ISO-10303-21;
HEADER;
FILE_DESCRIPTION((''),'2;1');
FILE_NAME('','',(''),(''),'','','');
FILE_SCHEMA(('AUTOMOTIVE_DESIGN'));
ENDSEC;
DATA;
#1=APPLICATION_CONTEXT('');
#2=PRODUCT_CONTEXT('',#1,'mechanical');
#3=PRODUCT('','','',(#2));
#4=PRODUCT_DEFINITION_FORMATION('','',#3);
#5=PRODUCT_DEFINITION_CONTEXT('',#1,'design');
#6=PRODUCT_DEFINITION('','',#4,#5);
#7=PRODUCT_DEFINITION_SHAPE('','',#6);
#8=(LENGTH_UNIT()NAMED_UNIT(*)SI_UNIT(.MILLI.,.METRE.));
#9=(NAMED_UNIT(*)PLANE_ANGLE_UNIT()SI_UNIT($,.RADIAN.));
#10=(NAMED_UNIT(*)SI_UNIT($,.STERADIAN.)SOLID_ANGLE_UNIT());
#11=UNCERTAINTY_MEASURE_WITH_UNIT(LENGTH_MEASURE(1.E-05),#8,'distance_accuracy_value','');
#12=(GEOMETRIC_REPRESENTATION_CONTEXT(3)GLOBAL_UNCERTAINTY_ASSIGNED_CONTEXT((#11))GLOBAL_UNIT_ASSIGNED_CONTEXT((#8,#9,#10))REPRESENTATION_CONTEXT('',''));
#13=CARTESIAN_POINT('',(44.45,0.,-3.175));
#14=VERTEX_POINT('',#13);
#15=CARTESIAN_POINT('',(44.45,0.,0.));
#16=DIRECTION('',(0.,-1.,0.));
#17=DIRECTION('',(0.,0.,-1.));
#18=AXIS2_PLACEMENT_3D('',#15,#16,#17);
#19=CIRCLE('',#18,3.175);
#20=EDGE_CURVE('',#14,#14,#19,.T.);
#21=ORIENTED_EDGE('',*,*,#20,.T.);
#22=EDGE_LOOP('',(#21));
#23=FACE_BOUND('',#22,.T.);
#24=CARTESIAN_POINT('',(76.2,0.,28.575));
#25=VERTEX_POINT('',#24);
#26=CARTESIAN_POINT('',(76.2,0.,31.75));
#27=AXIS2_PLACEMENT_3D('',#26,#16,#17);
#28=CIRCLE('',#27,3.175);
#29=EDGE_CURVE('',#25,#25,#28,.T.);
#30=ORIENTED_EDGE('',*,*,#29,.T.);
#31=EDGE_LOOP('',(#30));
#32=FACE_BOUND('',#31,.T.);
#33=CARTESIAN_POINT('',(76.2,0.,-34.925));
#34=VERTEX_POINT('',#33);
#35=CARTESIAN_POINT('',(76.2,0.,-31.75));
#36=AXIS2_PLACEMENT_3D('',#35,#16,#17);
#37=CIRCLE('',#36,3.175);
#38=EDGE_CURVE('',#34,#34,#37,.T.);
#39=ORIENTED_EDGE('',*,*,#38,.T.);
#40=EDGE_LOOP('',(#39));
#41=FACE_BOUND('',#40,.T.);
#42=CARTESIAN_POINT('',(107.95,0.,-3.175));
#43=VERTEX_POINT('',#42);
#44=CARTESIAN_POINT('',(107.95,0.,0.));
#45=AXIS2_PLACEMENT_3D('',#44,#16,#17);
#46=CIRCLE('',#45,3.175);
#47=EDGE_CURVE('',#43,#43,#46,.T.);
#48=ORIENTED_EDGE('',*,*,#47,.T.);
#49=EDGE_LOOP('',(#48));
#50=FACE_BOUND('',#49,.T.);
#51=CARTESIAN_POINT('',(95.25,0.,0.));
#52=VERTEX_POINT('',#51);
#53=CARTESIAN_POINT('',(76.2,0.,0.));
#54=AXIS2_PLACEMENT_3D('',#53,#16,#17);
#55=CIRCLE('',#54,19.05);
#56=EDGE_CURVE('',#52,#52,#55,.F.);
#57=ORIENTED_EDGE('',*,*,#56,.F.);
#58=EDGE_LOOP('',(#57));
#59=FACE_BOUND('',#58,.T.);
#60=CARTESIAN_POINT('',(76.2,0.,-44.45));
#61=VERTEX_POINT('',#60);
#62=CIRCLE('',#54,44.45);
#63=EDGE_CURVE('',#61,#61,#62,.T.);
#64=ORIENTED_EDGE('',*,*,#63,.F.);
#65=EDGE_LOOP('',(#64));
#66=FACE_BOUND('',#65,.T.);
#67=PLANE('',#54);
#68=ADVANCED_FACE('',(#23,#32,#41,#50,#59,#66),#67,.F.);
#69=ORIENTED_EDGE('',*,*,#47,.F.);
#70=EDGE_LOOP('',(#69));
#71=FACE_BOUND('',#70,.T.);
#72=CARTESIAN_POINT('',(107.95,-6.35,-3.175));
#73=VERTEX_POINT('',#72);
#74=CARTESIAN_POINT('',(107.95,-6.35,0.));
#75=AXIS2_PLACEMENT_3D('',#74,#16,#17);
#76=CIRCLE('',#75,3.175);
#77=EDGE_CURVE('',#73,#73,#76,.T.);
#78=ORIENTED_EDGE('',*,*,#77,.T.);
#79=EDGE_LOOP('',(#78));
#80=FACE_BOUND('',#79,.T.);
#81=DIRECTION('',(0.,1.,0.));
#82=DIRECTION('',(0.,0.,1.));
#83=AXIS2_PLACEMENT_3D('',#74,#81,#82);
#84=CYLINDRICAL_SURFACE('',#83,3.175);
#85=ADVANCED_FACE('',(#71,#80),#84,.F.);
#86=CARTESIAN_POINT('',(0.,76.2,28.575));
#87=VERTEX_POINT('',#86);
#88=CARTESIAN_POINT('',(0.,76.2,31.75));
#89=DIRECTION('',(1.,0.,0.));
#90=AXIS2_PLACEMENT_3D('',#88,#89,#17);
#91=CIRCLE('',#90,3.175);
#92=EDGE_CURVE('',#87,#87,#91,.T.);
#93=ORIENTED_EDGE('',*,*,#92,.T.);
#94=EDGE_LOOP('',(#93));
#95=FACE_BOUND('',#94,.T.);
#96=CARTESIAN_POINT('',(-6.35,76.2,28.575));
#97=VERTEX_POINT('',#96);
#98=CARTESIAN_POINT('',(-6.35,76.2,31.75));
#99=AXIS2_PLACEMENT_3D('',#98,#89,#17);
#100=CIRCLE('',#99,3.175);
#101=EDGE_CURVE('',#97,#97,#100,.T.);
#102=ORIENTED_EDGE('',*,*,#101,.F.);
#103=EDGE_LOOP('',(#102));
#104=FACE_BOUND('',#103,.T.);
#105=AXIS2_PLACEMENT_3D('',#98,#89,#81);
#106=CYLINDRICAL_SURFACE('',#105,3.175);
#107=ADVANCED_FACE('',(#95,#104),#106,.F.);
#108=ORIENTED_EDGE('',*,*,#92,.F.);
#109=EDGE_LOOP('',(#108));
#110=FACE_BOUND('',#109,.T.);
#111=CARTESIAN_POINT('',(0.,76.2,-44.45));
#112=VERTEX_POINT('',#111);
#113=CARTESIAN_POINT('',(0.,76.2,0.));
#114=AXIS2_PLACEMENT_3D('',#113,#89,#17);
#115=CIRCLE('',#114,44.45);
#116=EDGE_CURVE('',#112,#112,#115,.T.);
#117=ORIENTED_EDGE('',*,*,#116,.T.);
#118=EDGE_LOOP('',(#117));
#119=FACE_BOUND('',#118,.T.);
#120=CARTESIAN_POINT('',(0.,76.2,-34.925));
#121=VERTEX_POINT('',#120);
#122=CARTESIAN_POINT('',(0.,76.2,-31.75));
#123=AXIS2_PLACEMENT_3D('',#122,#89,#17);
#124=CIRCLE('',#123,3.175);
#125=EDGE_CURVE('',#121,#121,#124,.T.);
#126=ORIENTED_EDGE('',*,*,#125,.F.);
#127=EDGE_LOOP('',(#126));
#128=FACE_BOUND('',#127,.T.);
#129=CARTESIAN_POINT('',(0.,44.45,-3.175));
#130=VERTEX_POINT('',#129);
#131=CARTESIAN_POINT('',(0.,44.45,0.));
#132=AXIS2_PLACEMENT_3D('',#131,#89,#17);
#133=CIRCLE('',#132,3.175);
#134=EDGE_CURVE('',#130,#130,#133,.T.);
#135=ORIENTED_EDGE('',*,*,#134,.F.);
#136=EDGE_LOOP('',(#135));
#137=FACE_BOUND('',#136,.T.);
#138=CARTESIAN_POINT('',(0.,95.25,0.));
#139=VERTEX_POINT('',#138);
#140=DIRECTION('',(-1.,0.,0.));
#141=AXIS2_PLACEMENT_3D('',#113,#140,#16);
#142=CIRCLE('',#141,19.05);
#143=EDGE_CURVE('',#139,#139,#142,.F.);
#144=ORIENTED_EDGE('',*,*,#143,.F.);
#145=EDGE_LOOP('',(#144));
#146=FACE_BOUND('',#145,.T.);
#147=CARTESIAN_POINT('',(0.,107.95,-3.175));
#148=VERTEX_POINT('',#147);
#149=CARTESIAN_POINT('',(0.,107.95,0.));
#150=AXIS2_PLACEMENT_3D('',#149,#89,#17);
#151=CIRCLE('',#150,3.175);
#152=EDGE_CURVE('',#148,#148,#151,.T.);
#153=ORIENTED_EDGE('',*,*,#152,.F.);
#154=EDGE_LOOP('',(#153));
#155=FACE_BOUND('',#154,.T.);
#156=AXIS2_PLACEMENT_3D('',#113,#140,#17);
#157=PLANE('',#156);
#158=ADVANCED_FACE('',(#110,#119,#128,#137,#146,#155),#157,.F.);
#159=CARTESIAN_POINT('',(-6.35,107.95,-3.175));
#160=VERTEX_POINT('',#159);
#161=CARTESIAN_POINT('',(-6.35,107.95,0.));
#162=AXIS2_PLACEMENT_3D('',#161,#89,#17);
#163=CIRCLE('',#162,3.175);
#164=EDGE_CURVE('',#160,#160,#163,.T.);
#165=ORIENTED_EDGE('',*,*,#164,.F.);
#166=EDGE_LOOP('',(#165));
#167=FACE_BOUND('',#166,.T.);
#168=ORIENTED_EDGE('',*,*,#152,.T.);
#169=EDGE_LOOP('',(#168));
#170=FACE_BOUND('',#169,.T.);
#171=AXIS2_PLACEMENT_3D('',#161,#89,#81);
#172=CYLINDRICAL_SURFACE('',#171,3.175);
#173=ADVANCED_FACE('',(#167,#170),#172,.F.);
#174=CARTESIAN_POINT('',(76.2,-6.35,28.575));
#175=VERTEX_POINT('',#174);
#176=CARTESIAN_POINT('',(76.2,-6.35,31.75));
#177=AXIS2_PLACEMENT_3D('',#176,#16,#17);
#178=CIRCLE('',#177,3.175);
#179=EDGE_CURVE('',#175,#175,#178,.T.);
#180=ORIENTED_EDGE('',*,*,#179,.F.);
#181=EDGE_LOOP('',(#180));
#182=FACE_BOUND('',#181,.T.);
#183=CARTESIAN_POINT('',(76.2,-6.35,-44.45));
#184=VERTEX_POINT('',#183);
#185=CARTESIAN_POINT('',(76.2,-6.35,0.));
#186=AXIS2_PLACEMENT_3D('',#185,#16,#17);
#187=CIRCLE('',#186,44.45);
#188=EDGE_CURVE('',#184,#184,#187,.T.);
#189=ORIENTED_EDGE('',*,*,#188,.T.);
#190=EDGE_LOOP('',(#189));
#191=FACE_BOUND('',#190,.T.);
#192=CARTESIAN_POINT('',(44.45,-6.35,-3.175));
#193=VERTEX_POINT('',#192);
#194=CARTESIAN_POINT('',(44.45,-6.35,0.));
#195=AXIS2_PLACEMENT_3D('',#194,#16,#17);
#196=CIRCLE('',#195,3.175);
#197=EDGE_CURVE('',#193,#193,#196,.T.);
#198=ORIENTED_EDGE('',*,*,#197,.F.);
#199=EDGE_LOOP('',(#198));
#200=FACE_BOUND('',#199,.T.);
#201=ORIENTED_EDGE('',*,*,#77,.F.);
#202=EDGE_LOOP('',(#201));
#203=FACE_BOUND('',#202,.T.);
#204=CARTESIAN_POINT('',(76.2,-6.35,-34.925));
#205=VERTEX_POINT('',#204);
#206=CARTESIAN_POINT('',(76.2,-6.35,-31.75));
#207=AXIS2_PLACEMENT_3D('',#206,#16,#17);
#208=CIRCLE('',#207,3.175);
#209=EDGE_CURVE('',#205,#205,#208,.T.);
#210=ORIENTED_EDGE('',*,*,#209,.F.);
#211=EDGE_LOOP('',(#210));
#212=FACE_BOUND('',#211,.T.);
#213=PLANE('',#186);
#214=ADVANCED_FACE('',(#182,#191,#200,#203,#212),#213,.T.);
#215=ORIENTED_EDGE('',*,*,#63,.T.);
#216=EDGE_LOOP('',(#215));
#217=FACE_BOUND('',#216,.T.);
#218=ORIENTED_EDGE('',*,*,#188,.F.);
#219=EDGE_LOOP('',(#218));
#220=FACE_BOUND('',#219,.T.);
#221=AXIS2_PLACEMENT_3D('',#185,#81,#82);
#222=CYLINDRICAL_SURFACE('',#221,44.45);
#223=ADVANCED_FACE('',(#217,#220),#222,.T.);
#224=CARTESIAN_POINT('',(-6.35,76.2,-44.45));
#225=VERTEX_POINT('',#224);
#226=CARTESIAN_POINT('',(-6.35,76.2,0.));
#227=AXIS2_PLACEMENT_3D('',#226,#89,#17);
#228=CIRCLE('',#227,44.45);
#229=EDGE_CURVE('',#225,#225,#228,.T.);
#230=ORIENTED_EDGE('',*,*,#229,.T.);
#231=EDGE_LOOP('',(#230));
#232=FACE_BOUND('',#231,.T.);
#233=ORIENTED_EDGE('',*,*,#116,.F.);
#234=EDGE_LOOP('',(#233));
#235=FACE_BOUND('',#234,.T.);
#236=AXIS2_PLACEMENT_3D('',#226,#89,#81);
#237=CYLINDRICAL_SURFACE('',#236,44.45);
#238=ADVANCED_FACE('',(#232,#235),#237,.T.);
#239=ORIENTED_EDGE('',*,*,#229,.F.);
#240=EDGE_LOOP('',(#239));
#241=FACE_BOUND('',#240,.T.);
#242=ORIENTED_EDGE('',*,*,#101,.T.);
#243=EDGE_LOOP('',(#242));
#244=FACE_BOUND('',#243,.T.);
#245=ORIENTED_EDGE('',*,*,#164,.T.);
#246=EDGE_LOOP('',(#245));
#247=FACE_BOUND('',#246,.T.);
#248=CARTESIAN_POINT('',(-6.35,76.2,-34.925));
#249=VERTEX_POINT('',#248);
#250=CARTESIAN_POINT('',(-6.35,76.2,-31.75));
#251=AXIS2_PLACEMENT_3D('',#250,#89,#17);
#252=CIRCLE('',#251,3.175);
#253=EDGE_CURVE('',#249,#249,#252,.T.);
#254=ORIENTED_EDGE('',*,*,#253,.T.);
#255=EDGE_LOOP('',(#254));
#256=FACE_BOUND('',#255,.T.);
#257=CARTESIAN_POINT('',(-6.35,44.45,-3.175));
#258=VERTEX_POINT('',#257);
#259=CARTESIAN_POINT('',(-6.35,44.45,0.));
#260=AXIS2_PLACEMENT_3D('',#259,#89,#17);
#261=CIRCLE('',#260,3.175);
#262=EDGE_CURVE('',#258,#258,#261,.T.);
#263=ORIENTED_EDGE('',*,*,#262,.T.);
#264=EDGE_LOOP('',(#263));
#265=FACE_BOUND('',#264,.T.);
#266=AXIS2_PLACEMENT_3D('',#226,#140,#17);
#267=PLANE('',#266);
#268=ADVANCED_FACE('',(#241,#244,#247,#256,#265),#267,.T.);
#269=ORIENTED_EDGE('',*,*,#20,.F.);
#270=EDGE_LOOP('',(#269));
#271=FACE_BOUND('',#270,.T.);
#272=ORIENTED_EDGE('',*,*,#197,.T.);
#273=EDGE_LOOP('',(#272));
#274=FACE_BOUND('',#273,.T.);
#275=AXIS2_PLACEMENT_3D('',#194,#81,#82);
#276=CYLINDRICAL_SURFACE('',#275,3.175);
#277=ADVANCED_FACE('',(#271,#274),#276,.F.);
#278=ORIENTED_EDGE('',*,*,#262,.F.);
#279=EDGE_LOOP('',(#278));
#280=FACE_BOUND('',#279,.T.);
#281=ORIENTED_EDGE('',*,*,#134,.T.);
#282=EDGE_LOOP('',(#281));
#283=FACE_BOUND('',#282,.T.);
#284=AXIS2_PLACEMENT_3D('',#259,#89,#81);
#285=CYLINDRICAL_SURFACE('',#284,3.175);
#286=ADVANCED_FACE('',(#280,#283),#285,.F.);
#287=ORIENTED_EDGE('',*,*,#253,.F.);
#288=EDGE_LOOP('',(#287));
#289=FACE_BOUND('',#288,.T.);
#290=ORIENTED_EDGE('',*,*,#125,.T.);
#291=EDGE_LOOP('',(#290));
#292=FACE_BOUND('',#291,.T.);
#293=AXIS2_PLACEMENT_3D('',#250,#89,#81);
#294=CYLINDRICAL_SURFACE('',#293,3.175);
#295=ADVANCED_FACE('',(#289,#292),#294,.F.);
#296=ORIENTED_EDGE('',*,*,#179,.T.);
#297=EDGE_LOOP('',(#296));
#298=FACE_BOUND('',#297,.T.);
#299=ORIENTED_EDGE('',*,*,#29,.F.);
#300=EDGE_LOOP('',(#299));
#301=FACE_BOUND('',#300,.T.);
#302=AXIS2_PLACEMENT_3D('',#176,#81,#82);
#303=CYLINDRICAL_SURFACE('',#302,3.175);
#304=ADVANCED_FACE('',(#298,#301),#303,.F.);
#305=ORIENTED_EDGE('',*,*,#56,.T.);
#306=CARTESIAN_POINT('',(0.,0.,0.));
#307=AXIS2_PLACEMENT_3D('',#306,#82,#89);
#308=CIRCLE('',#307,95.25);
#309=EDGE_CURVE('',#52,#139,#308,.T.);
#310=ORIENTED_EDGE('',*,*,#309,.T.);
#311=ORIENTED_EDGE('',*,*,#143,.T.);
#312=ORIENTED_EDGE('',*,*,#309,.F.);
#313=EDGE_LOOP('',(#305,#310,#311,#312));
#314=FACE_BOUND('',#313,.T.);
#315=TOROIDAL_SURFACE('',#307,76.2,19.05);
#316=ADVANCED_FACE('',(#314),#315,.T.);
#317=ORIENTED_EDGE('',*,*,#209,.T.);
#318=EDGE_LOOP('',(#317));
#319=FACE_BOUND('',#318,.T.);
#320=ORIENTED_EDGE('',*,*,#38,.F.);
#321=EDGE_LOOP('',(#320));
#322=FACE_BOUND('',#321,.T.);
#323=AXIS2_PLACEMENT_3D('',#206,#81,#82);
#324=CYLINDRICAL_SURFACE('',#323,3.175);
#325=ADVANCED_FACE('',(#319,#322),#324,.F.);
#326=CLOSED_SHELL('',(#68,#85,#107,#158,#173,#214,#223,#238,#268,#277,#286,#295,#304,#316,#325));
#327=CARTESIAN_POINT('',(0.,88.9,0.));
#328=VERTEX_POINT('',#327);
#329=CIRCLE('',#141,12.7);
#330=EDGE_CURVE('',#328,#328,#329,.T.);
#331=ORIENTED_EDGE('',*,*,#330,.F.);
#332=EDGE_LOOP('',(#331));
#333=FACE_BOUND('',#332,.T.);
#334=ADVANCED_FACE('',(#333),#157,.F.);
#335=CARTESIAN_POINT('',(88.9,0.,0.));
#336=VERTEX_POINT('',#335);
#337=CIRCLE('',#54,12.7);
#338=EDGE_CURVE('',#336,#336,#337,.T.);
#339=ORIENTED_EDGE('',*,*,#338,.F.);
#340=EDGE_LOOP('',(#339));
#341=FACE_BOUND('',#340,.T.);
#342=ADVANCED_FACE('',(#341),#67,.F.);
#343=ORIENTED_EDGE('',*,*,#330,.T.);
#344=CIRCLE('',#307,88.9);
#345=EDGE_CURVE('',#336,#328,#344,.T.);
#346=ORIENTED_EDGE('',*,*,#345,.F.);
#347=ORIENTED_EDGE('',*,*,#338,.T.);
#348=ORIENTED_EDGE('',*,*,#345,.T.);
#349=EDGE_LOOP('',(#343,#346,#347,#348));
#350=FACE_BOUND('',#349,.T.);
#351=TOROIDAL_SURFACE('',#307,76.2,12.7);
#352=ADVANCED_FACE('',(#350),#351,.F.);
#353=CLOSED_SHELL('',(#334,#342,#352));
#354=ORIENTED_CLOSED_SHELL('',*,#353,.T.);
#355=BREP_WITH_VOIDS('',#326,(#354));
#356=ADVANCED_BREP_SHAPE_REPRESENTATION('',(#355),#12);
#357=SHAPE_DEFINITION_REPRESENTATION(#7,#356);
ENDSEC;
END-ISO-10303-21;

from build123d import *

# Parameters (mm, degrees)
SKETCH3_R           = 19.05
SKETCH3_R_2         = 12.7
SKETCH4_R           = 44.45
SKETCH4_R_2         = 3.175
BOSS_EXTRUDE1_DEPTH = 6.35


with BuildPart() as part:
    # Sweep1: sweep along a path in Sketch1
    with BuildLine(Plane.XY) as sweep1_path:
        ThreePointArc((76.2, 0), (52.411249779, 55.31275528), (-4.101860805, 76.089517924))
    # Sketch3 → Sweep1 (sweep)
    with BuildSketch(Plane(origin=(0, 0, 0), x_dir=(1, 0, 0), z_dir=(0, 1, 0))):
        with Locations((76.2, 0)):
            Circle(SKETCH3_R)
        with Locations((76.2, 0)):
            Circle(SKETCH3_R_2, mode=Mode.SUBTRACT)
    sweep(path=sweep1_path.line)

    # Sketch4 → Boss-Extrude1 (add)
    with BuildSketch(Plane.XZ):
        with Locations((76.2, 0)):
            Circle(SKETCH4_R)
        with Locations((76.2, 31.75)):
            Circle(SKETCH4_R_2, mode=Mode.SUBTRACT)
        with Locations((107.95, 0)):
            Circle(SKETCH4_R_2, mode=Mode.SUBTRACT)
        with Locations((76.2, -31.75)):
            Circle(SKETCH4_R_2, mode=Mode.SUBTRACT)
        with Locations((44.45, 0)):
            Circle(SKETCH4_R_2, mode=Mode.SUBTRACT)
    boss_extrude1 = extrude(amount=BOSS_EXTRUDE1_DEPTH)

    # Mirror1: Boss-Extrude1 across plane
    add(boss_extrude1.mirror(Plane(origin=(0, 0, 0), x_dir=(0, 0, 1), z_dir=(-0.7071067811865488, 0.7071067811865464, 0))))


solid = part.part
